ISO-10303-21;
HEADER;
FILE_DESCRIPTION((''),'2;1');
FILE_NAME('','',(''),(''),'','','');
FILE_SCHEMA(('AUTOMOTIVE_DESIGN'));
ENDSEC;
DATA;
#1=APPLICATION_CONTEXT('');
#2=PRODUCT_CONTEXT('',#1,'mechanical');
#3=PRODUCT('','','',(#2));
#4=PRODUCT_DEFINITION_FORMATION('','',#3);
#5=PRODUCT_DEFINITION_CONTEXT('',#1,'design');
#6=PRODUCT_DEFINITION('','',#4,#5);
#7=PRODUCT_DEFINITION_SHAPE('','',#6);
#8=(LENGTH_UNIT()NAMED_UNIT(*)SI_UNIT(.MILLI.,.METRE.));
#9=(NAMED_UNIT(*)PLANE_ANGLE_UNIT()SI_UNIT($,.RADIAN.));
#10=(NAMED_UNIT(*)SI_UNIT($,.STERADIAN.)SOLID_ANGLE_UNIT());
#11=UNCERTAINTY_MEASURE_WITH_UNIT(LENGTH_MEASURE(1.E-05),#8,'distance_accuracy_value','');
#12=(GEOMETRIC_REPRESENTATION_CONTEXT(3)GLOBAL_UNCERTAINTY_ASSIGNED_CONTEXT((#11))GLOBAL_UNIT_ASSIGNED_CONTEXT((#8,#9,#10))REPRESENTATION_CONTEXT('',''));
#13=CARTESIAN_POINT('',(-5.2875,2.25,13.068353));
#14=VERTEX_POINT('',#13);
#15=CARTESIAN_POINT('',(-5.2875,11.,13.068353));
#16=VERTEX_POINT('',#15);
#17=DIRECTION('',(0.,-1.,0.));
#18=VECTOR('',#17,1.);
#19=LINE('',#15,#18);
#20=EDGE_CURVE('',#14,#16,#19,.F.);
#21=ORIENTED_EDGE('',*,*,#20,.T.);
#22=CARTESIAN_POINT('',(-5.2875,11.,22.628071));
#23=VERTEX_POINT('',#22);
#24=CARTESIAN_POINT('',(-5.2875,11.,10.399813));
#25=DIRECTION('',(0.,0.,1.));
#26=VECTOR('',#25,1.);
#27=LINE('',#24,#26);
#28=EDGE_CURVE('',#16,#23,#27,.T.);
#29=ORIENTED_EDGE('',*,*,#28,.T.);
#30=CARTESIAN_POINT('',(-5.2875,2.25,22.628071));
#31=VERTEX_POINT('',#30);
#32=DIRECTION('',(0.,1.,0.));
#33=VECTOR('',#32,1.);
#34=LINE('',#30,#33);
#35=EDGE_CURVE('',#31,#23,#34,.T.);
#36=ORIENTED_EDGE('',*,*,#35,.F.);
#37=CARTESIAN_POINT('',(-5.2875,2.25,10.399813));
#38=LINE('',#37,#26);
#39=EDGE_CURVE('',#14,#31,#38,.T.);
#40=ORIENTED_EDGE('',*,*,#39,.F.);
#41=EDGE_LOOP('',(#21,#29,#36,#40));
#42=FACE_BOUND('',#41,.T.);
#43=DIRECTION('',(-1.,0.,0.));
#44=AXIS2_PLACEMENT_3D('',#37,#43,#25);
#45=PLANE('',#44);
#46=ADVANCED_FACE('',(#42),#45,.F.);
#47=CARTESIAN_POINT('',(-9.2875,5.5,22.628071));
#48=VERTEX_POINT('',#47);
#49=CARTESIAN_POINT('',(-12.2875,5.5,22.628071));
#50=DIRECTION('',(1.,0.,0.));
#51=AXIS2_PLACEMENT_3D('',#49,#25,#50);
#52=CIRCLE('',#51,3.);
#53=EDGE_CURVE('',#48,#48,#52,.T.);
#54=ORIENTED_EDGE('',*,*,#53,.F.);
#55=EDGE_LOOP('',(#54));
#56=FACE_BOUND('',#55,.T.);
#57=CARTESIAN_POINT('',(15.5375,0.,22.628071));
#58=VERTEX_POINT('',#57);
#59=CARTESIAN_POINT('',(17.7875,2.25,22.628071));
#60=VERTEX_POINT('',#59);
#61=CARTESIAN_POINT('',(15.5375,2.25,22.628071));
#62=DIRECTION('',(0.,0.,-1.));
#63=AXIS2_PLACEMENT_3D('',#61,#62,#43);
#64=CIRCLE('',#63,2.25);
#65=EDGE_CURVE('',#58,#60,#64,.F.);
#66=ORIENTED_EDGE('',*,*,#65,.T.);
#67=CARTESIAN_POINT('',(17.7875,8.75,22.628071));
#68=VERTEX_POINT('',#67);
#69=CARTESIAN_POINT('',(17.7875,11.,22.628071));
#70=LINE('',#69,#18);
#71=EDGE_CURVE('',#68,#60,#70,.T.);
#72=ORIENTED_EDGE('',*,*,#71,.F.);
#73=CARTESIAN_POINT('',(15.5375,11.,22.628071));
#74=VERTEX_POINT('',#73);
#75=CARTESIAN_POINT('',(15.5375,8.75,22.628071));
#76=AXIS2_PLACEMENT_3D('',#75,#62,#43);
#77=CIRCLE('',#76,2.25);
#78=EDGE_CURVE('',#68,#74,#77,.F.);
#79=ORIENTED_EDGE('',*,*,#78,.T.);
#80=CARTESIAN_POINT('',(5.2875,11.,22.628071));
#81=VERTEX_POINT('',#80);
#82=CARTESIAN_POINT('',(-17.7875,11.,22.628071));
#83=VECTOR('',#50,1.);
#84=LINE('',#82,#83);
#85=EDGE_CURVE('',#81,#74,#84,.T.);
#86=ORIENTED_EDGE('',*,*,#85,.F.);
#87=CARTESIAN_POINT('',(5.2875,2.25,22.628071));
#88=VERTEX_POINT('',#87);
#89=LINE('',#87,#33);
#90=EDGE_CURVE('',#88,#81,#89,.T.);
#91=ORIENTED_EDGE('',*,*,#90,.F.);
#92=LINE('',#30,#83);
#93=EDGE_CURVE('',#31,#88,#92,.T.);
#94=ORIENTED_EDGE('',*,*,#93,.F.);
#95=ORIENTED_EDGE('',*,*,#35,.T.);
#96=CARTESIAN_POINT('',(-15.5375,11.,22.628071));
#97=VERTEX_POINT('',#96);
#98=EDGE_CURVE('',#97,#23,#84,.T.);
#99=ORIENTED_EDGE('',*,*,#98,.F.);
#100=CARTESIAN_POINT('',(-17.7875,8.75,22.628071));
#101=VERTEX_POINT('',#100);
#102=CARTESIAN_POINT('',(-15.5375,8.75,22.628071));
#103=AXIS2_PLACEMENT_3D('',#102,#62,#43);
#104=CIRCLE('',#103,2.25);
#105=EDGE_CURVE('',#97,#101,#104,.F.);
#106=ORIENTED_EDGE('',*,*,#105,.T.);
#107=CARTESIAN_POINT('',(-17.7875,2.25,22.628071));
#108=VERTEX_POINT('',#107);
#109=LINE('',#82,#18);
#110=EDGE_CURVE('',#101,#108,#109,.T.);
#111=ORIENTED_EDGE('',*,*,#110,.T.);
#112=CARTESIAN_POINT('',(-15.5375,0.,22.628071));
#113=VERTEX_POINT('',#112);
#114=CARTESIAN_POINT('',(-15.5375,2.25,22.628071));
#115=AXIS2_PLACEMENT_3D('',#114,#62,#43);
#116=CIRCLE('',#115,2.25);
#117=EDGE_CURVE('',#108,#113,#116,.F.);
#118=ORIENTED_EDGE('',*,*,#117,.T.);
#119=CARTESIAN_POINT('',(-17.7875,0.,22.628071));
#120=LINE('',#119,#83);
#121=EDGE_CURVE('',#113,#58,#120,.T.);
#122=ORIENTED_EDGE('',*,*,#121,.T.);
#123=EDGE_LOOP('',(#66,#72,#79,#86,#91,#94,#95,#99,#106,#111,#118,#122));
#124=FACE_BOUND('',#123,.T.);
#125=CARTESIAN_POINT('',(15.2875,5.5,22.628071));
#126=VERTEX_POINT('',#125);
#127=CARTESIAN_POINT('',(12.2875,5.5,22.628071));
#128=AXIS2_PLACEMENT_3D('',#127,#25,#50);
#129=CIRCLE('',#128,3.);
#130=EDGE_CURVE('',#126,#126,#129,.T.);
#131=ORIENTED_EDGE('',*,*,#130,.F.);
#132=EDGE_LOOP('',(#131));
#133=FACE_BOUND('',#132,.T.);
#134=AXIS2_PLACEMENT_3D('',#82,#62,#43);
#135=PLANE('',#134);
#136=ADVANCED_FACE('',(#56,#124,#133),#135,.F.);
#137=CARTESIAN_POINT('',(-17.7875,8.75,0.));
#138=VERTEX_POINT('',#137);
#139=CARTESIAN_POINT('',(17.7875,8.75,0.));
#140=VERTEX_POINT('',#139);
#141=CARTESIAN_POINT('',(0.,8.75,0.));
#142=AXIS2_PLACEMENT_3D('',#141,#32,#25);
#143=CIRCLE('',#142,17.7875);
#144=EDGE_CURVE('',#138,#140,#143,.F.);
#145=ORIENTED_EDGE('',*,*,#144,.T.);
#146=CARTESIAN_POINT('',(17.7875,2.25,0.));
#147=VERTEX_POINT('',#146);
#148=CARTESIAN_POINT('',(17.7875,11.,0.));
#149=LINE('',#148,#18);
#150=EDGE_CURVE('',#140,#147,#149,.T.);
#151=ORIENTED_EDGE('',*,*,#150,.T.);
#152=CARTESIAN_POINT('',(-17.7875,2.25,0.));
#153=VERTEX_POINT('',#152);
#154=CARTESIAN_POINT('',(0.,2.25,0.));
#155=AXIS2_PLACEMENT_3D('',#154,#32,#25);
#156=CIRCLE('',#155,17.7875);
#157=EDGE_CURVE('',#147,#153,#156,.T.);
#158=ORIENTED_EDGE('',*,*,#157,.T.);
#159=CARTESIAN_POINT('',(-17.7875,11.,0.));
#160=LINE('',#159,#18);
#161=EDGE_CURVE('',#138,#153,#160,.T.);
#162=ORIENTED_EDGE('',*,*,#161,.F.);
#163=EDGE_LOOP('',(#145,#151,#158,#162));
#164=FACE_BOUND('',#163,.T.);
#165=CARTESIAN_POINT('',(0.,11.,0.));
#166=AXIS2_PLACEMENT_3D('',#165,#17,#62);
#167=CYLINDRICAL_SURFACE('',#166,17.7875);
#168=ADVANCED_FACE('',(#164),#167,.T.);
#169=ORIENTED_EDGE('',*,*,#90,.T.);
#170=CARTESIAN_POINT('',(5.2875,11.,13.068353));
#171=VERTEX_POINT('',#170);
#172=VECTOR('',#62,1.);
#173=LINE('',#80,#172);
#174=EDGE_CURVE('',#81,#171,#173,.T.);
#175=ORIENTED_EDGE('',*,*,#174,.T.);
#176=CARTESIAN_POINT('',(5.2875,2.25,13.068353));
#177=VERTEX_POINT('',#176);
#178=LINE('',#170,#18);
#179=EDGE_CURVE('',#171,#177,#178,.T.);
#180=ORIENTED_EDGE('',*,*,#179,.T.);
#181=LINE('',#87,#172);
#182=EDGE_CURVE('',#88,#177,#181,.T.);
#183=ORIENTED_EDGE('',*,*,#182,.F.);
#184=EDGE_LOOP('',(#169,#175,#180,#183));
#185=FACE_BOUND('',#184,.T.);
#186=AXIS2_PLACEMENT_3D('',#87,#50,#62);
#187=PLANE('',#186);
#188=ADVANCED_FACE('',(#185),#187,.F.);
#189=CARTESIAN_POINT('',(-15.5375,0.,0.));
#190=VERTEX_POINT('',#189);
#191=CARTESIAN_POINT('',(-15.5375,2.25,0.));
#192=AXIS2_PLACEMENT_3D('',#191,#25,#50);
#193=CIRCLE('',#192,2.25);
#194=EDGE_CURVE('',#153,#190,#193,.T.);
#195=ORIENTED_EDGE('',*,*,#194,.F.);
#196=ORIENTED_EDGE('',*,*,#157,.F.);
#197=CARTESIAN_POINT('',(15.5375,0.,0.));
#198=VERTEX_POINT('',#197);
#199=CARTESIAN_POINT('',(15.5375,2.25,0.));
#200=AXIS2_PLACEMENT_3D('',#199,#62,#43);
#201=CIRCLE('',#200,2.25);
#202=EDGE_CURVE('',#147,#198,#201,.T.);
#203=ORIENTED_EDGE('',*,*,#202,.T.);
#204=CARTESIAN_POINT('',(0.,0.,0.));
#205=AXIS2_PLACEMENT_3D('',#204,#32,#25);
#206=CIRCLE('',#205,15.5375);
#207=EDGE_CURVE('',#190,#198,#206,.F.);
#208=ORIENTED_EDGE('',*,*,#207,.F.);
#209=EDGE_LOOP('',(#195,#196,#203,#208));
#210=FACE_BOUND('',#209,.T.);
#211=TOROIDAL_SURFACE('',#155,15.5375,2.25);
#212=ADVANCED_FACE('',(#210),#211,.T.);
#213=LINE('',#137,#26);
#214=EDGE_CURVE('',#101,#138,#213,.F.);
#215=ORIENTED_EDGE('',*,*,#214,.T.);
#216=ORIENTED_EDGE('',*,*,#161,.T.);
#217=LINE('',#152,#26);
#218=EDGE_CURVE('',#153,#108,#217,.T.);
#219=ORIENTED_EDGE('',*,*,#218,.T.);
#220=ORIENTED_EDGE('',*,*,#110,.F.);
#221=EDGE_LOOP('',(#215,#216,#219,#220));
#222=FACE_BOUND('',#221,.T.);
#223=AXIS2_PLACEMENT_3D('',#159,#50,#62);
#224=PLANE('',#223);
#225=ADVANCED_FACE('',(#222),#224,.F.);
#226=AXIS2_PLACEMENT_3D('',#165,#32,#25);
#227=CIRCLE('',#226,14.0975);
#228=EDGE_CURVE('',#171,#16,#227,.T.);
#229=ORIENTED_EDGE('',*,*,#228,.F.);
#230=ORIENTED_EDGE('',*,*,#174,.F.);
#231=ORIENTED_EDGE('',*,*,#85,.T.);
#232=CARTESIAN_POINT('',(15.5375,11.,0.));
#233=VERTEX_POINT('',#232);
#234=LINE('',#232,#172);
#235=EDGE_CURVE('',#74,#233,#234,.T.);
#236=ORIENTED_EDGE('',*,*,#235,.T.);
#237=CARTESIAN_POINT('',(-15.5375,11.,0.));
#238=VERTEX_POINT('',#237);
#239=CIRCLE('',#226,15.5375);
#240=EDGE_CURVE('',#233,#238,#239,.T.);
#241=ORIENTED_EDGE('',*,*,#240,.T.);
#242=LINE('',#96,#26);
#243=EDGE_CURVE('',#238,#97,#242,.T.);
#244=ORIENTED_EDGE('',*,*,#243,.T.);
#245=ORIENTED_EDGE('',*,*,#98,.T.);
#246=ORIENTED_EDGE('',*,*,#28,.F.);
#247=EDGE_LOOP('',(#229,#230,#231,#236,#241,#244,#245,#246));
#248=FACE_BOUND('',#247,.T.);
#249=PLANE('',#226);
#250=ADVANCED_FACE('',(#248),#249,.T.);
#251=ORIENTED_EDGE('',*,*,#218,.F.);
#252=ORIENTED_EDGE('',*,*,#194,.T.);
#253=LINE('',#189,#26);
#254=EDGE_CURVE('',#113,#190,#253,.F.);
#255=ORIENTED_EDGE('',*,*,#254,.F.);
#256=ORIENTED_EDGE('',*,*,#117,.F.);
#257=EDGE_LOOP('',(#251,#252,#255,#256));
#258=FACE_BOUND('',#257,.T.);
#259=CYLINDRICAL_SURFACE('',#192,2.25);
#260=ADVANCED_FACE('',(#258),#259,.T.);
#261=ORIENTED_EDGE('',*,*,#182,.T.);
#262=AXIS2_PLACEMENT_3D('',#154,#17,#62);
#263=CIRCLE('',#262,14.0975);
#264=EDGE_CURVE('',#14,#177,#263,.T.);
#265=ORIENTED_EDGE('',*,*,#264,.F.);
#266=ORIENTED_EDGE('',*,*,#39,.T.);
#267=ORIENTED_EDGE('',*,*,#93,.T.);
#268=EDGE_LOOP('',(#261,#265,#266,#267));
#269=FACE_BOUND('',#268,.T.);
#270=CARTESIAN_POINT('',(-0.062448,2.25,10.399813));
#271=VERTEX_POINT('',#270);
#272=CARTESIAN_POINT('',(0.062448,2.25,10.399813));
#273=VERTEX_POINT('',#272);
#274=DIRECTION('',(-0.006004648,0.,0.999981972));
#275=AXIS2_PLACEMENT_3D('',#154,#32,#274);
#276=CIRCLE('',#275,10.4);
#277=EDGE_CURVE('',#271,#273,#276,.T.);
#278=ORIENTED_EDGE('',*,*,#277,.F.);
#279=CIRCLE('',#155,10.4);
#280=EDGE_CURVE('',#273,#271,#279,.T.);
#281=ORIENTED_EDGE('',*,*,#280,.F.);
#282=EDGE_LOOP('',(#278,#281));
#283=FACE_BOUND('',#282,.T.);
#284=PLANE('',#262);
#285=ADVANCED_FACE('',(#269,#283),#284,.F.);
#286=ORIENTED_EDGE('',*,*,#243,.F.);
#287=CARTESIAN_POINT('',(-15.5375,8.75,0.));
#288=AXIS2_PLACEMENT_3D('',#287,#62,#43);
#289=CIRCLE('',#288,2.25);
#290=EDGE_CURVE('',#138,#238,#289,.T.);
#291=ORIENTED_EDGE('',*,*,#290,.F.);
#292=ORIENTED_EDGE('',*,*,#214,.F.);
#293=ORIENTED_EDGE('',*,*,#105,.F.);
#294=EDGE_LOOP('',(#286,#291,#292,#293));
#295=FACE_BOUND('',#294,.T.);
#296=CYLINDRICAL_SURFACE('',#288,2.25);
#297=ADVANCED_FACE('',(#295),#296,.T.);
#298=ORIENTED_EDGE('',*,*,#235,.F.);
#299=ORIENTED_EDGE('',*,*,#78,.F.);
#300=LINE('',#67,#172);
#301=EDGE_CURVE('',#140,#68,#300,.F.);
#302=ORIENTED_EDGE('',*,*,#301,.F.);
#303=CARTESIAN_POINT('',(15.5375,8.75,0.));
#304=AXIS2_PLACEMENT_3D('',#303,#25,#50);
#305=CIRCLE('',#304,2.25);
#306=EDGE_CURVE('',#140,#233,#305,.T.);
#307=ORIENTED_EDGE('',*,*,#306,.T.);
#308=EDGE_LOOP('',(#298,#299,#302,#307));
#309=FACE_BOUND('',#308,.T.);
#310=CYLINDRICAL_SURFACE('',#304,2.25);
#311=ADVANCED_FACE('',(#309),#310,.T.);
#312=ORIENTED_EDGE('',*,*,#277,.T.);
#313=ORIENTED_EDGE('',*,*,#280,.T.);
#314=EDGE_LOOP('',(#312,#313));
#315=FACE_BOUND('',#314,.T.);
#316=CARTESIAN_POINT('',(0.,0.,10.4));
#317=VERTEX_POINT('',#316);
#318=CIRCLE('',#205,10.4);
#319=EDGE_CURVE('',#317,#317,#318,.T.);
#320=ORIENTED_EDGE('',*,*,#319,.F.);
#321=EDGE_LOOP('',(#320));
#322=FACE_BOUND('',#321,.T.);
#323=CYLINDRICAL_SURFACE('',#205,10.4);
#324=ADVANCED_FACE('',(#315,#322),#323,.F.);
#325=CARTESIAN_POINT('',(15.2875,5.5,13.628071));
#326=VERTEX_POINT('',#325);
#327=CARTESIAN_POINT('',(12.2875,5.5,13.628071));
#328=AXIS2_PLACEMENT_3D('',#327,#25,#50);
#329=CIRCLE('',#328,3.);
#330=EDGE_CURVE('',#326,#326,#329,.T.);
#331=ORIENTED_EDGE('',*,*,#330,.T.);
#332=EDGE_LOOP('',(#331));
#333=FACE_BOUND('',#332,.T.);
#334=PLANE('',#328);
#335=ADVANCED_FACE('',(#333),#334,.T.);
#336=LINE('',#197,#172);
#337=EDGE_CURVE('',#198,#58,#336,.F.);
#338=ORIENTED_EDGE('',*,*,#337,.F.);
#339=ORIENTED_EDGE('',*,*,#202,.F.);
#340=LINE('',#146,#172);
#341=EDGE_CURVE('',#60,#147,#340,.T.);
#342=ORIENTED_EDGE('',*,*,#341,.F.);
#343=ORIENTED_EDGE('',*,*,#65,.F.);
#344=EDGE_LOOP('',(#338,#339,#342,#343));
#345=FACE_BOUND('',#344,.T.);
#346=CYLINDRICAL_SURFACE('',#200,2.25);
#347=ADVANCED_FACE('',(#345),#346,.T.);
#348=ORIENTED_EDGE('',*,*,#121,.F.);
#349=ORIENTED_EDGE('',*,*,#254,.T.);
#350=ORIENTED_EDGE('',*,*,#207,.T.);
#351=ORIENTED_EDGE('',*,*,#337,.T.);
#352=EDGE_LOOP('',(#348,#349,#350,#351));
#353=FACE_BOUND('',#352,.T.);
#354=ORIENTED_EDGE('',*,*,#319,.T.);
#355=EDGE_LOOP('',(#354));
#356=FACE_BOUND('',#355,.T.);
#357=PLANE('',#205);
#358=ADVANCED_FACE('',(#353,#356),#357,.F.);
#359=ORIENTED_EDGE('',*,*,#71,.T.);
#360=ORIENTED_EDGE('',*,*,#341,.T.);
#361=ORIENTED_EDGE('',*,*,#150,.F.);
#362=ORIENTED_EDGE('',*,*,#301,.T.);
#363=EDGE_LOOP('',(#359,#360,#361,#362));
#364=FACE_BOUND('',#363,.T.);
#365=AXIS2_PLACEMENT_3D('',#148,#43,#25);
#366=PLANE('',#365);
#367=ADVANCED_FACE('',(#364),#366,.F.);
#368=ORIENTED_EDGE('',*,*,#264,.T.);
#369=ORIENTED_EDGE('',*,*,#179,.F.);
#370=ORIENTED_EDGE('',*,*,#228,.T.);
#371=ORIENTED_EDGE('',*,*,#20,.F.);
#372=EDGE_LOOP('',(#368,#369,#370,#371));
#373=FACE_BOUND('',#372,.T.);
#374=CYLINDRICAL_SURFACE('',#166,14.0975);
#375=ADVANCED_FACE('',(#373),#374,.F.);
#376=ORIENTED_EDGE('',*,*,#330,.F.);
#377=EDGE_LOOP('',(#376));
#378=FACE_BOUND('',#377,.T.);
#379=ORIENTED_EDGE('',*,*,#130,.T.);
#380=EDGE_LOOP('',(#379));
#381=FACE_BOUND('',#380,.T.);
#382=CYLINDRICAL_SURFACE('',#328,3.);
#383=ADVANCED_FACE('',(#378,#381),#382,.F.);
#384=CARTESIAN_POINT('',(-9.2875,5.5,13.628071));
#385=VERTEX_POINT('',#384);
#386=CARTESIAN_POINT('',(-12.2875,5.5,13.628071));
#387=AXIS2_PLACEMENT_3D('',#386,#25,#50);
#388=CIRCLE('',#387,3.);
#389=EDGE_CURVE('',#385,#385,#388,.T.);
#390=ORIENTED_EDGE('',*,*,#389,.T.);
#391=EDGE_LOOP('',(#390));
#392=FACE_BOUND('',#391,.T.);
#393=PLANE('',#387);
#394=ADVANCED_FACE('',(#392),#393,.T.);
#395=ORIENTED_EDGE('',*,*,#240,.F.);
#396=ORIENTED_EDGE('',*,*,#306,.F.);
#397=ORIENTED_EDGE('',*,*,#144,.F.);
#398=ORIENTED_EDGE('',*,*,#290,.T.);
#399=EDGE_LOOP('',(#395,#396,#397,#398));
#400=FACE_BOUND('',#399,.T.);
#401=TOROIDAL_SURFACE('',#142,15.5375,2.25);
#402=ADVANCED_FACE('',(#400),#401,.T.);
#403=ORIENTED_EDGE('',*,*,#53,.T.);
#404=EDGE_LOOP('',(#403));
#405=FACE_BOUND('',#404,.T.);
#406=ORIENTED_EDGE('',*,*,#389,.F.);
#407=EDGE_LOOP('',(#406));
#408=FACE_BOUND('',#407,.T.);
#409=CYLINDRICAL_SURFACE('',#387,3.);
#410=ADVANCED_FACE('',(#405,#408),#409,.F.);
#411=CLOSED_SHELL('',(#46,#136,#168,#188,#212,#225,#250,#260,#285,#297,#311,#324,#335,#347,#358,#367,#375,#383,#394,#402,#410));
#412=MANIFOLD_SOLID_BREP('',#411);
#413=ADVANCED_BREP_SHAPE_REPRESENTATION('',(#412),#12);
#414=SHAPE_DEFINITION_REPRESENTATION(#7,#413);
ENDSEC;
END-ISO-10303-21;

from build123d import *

# Parameters (mm, degrees)
SKETCH1_R           = 14.0975
BOSS_EXTRUDE1_DEPTH = 11
SKETCH4_R           = 14.0975
BOSS_EXTRUDE2_DEPTH = 2.25
SKETCH5_R           = 10.4
CUT_EXTRUDE1_DEPTH  = 2.25
SKETCH3_W           = 10.575
SKETCH3_H           = 12.228258218
CUT_EXTRUDE5_DEPTH  = 8.75
SKETCH6_R           = 3
CUT_EXTRUDE6_DEPTH  = 9
FILLET5_R           = 2.25
FILLET6_R           = 2.25


with BuildPart() as part:
    # Sketch1 → Boss-Extrude1 (new body)
    with BuildSketch(Plane(origin=(0, 0, 0), x_dir=(1, 0, 0), z_dir=(0, 1, 0))):
        with BuildLine():
            Line((-17.7875, -22.628070726), (17.7875, -22.628070726))
            Line((17.7875, -22.628070726), (17.7875, 0))
            ThreePointArc((17.7875, 0), (0, 17.7875), (-17.7875, 0))
            Line((-17.7875, 0), (-17.7875, -22.628070726))
        make_face()
        with Locations(Location((0, 0, 0), (0, 0, 270))):
            Circle(SKETCH1_R, mode=Mode.SUBTRACT)
    extrude(amount=BOSS_EXTRUDE1_DEPTH)

    # Sketch4 → Boss-Extrude2 (add)
    with BuildSketch(Plane.XZ):
        with Locations(Location((0, 0, 0), (0, 0, 270))):
            Circle(SKETCH4_R)
    extrude(amount=-BOSS_EXTRUDE2_DEPTH)

    # Sketch5 → Cut-Extrude1 (cut)
    with BuildSketch(Plane(origin=(0, 2.25, 0), x_dir=(1, 0, 0), z_dir=(0, 1, 0))):
        with Locations(Location((0, 0, 0), (0, 0, 270))):
            Circle(SKETCH5_R)
    extrude(amount=-CUT_EXTRUDE1_DEPTH, mode=Mode.SUBTRACT)

    # Sketch3 → Cut-Extrude5 (cut)
    with BuildSketch(Plane(origin=(0, 11, 0), x_dir=(1, 0, 0), z_dir=(0, 1, 0))):
        with Locations((0, -16.513941617)):
            Rectangle(SKETCH3_W, SKETCH3_H)
    extrude(amount=-CUT_EXTRUDE5_DEPTH, mode=Mode.SUBTRACT)

    # Sketch6 → Cut-Extrude6 (cut)
    with BuildSketch(Plane.XY.offset(22.628070726)):
        with Locations((-12.2875, 5.5)):
            Circle(SKETCH6_R)
        with Locations((12.2875, 5.5)):
            Circle(SKETCH6_R)
    extrude(amount=-CUT_EXTRUDE6_DEPTH, mode=Mode.SUBTRACT)

    # Fillet5
    fillet5_edges = [part.edges().sort_by_distance(p)[0] for p in [
        (17.7875, 0, 11.314035363),
        (-17.7875, 0, 11.314035363),
        (0, 0, -17.7875),
    ]]
    fillet(fillet5_edges, radius=FILLET5_R)

    # Fillet6
    fillet6_edges = [part.edges().sort_by_distance(p)[0] for p in [
        (17.7875, 11, 11.314035363),
        (0, 11, -17.7875),
        (-17.7875, 11, 11.314035363),
    ]]
    fillet(fillet6_edges, radius=FILLET6_R)


solid = part.part
